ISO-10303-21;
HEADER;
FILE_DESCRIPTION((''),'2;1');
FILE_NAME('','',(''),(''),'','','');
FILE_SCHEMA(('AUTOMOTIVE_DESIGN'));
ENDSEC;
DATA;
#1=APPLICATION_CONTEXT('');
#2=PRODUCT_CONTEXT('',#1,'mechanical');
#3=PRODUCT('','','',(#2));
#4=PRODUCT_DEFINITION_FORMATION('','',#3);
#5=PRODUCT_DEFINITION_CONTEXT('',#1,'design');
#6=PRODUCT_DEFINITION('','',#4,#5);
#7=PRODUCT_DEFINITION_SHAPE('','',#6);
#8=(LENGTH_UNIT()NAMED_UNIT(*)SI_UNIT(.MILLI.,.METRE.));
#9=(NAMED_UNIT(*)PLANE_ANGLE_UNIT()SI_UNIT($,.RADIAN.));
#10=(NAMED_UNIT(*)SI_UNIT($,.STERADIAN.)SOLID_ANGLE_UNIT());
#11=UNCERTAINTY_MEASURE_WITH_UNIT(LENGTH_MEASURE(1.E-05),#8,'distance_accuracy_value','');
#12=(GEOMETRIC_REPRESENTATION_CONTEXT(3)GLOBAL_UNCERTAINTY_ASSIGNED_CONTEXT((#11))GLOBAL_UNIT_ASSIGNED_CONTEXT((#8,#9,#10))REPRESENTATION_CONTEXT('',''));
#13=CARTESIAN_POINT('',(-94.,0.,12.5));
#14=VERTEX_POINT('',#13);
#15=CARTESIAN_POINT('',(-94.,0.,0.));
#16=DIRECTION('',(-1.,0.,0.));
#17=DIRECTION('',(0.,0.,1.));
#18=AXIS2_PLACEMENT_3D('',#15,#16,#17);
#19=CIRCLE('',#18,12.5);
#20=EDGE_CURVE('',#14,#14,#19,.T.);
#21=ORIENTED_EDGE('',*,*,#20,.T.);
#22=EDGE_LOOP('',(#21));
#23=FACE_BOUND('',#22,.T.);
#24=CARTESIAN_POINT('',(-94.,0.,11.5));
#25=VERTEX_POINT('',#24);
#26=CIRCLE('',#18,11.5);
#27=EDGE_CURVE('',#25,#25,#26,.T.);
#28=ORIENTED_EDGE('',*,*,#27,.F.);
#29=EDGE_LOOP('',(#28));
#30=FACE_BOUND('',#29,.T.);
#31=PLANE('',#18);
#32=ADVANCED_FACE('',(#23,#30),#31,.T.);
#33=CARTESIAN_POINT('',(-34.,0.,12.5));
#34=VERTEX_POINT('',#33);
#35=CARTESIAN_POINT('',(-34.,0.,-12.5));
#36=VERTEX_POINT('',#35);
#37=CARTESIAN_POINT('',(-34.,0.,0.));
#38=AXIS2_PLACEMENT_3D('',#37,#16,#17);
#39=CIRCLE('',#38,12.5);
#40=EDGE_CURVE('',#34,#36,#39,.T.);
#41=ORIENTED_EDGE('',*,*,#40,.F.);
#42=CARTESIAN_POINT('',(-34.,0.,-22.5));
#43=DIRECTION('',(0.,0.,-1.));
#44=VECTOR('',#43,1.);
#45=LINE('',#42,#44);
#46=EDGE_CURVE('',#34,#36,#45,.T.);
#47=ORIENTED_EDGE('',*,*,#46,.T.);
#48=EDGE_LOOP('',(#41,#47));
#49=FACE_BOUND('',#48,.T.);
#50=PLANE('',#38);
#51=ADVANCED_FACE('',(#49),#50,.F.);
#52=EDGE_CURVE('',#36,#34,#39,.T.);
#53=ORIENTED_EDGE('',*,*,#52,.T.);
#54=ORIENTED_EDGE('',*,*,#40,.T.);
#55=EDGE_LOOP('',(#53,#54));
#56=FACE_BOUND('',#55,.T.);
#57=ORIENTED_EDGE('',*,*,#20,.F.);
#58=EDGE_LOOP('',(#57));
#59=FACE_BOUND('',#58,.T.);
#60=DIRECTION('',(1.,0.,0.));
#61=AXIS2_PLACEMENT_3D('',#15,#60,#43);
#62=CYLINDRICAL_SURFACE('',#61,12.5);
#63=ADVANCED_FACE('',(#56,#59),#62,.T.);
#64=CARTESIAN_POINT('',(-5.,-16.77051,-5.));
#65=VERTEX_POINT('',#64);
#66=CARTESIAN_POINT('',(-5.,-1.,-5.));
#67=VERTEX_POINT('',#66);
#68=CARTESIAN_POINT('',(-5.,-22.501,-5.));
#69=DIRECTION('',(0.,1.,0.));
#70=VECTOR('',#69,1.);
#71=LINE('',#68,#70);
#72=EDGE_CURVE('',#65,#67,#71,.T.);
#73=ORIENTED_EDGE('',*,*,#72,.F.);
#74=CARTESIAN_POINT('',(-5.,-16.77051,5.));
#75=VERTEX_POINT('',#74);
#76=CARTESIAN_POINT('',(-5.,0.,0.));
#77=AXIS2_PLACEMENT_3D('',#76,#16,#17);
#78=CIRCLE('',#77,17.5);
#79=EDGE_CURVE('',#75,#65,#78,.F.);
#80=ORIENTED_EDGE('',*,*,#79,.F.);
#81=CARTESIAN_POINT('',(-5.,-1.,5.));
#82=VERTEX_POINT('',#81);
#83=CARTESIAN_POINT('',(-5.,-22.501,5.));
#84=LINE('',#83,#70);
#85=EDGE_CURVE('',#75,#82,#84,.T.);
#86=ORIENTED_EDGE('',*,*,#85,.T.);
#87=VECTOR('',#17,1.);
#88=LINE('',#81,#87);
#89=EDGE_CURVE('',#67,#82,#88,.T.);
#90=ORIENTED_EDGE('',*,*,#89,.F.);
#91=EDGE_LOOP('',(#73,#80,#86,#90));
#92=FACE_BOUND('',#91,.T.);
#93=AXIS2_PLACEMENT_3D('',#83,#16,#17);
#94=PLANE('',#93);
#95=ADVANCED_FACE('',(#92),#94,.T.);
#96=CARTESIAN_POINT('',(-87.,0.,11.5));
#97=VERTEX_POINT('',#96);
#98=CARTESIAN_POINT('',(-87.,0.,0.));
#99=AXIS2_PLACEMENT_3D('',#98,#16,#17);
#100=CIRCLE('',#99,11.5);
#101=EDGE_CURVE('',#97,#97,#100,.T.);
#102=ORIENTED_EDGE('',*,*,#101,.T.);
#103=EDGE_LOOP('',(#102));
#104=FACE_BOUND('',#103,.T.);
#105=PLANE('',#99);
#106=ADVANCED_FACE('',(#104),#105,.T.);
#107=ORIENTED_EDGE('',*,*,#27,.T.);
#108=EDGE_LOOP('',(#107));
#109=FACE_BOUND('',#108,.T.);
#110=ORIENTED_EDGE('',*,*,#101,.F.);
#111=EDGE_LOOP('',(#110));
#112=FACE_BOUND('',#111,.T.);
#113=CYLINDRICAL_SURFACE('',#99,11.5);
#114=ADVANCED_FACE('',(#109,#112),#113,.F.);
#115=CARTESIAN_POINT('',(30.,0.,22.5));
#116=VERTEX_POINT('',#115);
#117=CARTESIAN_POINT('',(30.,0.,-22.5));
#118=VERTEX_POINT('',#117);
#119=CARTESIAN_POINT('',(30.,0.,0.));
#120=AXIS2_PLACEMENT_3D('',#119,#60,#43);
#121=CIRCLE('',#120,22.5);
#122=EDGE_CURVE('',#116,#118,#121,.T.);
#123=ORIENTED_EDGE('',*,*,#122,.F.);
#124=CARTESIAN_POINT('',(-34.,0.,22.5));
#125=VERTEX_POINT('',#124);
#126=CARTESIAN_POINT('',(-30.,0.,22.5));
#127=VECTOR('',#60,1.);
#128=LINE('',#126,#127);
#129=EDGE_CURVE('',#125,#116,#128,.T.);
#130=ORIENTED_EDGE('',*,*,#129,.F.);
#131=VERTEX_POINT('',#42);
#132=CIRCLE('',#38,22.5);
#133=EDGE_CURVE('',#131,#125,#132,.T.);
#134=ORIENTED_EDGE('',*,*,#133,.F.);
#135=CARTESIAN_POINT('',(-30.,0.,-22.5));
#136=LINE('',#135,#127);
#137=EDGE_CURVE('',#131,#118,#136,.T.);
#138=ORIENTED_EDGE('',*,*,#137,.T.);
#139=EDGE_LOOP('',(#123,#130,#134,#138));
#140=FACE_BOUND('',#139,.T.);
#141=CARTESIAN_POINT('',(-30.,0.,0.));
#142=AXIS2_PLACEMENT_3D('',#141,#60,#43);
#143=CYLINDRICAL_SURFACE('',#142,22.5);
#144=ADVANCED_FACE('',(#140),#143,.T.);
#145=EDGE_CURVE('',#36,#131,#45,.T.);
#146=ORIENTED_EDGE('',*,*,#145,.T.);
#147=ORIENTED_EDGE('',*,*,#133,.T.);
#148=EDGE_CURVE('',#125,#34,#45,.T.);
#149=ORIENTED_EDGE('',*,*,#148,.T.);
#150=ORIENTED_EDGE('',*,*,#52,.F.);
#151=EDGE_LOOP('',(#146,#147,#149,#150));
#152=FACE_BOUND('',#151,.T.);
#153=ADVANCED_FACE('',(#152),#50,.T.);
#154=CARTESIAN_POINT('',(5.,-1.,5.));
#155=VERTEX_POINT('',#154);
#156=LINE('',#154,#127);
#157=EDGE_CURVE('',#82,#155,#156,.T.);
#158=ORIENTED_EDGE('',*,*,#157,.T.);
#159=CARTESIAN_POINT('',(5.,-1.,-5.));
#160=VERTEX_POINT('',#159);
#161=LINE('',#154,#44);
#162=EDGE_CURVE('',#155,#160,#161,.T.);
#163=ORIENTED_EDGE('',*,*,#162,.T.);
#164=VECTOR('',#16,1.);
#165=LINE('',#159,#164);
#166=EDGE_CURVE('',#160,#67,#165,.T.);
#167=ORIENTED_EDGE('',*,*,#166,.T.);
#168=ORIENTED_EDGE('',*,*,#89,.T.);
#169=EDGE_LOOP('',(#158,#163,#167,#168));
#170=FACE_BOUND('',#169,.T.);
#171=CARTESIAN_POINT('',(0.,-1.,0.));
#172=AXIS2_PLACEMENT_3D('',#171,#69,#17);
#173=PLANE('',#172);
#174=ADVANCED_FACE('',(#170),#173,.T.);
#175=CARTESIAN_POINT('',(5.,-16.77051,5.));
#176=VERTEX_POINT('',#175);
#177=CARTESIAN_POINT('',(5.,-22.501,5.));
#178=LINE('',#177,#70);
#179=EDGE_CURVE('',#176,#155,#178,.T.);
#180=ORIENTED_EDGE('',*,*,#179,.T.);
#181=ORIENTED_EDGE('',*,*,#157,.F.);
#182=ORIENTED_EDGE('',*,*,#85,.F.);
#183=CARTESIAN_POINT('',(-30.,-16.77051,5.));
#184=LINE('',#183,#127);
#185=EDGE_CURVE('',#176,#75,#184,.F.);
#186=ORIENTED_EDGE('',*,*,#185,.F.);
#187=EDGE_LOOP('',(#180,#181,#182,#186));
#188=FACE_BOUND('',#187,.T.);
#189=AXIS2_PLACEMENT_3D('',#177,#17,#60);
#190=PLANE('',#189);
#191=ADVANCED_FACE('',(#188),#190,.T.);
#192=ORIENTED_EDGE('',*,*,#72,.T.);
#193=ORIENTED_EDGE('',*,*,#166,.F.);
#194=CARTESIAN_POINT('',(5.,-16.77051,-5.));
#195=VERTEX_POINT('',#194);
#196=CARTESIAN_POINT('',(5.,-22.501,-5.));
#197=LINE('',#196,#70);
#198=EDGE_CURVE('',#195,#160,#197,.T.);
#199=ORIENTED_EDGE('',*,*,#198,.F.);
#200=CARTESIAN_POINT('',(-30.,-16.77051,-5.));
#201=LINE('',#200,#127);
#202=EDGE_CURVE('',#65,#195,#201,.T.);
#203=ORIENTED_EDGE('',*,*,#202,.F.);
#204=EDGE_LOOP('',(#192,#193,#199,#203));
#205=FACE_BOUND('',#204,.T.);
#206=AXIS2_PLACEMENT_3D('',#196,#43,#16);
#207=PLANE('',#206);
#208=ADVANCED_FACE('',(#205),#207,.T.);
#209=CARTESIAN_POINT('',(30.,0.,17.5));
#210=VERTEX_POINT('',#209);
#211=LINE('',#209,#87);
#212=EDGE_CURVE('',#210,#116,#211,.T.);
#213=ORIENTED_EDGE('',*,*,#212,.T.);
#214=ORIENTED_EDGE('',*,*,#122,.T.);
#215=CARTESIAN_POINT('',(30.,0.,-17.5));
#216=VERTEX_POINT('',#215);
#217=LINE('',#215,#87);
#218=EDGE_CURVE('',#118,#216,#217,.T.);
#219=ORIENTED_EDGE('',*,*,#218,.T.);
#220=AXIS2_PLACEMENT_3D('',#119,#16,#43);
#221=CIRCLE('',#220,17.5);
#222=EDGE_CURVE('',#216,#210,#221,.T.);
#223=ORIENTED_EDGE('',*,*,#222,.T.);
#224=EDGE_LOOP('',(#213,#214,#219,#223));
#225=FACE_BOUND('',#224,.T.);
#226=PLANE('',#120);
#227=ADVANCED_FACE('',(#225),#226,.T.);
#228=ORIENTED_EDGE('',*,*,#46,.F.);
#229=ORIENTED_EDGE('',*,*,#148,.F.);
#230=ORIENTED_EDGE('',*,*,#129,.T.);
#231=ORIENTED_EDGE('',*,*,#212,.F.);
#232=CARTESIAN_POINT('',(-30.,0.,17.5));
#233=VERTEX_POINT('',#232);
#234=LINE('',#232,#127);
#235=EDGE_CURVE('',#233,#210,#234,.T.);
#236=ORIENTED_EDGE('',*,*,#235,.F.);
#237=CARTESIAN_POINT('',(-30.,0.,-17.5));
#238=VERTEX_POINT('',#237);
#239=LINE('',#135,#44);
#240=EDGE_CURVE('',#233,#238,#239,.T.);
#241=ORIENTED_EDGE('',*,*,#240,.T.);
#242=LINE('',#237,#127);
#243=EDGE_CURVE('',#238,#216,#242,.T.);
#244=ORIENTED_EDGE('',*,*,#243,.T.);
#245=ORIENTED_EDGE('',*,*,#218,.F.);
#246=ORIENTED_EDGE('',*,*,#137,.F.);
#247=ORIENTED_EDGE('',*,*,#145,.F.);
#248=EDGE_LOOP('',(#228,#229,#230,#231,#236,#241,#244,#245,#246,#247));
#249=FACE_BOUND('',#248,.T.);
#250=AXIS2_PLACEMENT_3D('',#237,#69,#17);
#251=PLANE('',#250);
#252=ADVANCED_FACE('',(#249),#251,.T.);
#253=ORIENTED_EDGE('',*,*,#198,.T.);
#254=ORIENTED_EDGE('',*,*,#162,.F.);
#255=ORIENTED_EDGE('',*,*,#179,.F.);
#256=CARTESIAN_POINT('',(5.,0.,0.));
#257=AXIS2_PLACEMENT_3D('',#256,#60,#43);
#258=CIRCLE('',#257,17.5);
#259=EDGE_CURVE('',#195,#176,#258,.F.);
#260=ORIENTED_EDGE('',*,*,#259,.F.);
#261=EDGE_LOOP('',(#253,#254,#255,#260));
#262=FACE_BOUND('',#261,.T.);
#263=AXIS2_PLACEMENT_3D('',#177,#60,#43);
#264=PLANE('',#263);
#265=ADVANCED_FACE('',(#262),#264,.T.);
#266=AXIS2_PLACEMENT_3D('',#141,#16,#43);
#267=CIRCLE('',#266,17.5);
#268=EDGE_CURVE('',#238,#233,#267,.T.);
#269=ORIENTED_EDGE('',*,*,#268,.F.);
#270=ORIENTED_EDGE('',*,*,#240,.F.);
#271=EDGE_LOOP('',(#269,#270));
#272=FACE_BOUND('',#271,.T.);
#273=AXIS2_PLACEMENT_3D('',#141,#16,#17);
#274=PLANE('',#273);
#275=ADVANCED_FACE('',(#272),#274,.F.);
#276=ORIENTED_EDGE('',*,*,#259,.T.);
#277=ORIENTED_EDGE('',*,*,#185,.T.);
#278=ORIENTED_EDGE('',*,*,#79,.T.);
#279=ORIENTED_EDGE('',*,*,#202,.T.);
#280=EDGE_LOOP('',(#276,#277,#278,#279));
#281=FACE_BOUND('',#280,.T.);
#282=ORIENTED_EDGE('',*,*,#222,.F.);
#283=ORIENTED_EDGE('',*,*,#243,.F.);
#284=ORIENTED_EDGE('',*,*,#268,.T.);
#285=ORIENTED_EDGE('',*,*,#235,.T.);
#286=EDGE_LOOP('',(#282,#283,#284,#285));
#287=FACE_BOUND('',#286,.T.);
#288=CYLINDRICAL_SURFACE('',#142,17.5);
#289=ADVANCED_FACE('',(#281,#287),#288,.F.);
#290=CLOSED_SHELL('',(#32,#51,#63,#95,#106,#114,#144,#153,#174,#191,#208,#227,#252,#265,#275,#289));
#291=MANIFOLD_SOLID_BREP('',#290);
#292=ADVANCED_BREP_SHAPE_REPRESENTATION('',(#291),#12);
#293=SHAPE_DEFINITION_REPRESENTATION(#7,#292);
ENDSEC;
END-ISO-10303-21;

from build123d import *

# Parameters (mm, degrees)
BOSS_EXTRUDE1_DEPTH      = 30
BOSS_EXTRUDE1_DEPTH_BACK = 30
BOSS_EXTRUDE2_REACH      = 46.732
BOSS_EXTRUDE2_END_RADIUS = 17.5
BOSS_EXTRUDE2_START      = -1
SKETCH3_W                = 10
SKETCH3_H                = 10
BOSS_EXTRUDE3_START      = 4
BOSS_EXTRUDE3_DEPTH      = 4
SKETCH5_R                = 12.5
BOSS_EXTRUDE4_DEPTH      = 60
SKETCH6_R                = 11.5
CUT_EXTRUDE1_DEPTH       = 7


with BuildPart() as part:
    # Sketch1 → Boss-Extrude1 (new, two sides: drawn at the far end of the back side and taken through both)
    with BuildSketch(Plane(origin=(0, 0, 0), x_dir=(0, 0, -1), z_dir=(1, 0, 0)).offset(-BOSS_EXTRUDE1_DEPTH_BACK)):
        with BuildLine():
            Line((-17.5, 0), (-22.5, 0))
            ThreePointArc((-22.5, 0), (0, -22.5), (22.5, 0))
            Line((22.5, 0), (17.5, 0))
            ThreePointArc((17.5, 0), (0, -17.5), (-17.5, 0))
        make_face()
    extrude(amount=BOSS_EXTRUDE1_DEPTH + BOSS_EXTRUDE1_DEPTH_BACK)

    # Boss-Extrude2: up to this cylinder (the profile starts inside it)
    boss_extrude2_end = Plane(origin=(0, 0, 0), z_dir=(1, 0, 0)) * Cylinder(BOSS_EXTRUDE2_END_RADIUS, 129.464, mode=Mode.PRIVATE)
    # Sketch3 → Boss-Extrude2 (add, up to the surface)
    with BuildSketch(Plane(origin=(0, 0, 0), x_dir=(1, 0, 0), z_dir=(0, 1, 0)).offset(BOSS_EXTRUDE2_START), mode=Mode.PRIVATE) as boss_extrude2_sk1:
        Rectangle(SKETCH3_W, SKETCH3_H)
    boss_extrude2_tool1 = extrude(boss_extrude2_sk1.sketch, amount=-BOSS_EXTRUDE2_REACH, mode=Mode.PRIVATE) & boss_extrude2_end
    add(boss_extrude2_tool1.solids().sort_by_distance((0, -1, 0))[0])

    # Sketch4 → Boss-Extrude3 (add)
    with BuildSketch(Plane.ZY.offset(30).offset(BOSS_EXTRUDE3_START)):
        with BuildLine():
            Line((-22.5, 0), (22.5, 0))
            ThreePointArc((22.5, 0), (0, -22.5), (-22.5, 0))
        make_face()
    extrude(amount=-BOSS_EXTRUDE3_DEPTH)

    # Sketch5 → Boss-Extrude4 (add)
    with BuildSketch(Plane.ZY.offset(34)):
        Circle(SKETCH5_R)
    extrude(amount=BOSS_EXTRUDE4_DEPTH)

    # Sketch6 → Cut-Extrude1 (cut)
    with BuildSketch(Plane.ZY.offset(94)):
        Circle(SKETCH6_R)
    extrude(amount=-CUT_EXTRUDE1_DEPTH, mode=Mode.SUBTRACT)


solid = part.part
